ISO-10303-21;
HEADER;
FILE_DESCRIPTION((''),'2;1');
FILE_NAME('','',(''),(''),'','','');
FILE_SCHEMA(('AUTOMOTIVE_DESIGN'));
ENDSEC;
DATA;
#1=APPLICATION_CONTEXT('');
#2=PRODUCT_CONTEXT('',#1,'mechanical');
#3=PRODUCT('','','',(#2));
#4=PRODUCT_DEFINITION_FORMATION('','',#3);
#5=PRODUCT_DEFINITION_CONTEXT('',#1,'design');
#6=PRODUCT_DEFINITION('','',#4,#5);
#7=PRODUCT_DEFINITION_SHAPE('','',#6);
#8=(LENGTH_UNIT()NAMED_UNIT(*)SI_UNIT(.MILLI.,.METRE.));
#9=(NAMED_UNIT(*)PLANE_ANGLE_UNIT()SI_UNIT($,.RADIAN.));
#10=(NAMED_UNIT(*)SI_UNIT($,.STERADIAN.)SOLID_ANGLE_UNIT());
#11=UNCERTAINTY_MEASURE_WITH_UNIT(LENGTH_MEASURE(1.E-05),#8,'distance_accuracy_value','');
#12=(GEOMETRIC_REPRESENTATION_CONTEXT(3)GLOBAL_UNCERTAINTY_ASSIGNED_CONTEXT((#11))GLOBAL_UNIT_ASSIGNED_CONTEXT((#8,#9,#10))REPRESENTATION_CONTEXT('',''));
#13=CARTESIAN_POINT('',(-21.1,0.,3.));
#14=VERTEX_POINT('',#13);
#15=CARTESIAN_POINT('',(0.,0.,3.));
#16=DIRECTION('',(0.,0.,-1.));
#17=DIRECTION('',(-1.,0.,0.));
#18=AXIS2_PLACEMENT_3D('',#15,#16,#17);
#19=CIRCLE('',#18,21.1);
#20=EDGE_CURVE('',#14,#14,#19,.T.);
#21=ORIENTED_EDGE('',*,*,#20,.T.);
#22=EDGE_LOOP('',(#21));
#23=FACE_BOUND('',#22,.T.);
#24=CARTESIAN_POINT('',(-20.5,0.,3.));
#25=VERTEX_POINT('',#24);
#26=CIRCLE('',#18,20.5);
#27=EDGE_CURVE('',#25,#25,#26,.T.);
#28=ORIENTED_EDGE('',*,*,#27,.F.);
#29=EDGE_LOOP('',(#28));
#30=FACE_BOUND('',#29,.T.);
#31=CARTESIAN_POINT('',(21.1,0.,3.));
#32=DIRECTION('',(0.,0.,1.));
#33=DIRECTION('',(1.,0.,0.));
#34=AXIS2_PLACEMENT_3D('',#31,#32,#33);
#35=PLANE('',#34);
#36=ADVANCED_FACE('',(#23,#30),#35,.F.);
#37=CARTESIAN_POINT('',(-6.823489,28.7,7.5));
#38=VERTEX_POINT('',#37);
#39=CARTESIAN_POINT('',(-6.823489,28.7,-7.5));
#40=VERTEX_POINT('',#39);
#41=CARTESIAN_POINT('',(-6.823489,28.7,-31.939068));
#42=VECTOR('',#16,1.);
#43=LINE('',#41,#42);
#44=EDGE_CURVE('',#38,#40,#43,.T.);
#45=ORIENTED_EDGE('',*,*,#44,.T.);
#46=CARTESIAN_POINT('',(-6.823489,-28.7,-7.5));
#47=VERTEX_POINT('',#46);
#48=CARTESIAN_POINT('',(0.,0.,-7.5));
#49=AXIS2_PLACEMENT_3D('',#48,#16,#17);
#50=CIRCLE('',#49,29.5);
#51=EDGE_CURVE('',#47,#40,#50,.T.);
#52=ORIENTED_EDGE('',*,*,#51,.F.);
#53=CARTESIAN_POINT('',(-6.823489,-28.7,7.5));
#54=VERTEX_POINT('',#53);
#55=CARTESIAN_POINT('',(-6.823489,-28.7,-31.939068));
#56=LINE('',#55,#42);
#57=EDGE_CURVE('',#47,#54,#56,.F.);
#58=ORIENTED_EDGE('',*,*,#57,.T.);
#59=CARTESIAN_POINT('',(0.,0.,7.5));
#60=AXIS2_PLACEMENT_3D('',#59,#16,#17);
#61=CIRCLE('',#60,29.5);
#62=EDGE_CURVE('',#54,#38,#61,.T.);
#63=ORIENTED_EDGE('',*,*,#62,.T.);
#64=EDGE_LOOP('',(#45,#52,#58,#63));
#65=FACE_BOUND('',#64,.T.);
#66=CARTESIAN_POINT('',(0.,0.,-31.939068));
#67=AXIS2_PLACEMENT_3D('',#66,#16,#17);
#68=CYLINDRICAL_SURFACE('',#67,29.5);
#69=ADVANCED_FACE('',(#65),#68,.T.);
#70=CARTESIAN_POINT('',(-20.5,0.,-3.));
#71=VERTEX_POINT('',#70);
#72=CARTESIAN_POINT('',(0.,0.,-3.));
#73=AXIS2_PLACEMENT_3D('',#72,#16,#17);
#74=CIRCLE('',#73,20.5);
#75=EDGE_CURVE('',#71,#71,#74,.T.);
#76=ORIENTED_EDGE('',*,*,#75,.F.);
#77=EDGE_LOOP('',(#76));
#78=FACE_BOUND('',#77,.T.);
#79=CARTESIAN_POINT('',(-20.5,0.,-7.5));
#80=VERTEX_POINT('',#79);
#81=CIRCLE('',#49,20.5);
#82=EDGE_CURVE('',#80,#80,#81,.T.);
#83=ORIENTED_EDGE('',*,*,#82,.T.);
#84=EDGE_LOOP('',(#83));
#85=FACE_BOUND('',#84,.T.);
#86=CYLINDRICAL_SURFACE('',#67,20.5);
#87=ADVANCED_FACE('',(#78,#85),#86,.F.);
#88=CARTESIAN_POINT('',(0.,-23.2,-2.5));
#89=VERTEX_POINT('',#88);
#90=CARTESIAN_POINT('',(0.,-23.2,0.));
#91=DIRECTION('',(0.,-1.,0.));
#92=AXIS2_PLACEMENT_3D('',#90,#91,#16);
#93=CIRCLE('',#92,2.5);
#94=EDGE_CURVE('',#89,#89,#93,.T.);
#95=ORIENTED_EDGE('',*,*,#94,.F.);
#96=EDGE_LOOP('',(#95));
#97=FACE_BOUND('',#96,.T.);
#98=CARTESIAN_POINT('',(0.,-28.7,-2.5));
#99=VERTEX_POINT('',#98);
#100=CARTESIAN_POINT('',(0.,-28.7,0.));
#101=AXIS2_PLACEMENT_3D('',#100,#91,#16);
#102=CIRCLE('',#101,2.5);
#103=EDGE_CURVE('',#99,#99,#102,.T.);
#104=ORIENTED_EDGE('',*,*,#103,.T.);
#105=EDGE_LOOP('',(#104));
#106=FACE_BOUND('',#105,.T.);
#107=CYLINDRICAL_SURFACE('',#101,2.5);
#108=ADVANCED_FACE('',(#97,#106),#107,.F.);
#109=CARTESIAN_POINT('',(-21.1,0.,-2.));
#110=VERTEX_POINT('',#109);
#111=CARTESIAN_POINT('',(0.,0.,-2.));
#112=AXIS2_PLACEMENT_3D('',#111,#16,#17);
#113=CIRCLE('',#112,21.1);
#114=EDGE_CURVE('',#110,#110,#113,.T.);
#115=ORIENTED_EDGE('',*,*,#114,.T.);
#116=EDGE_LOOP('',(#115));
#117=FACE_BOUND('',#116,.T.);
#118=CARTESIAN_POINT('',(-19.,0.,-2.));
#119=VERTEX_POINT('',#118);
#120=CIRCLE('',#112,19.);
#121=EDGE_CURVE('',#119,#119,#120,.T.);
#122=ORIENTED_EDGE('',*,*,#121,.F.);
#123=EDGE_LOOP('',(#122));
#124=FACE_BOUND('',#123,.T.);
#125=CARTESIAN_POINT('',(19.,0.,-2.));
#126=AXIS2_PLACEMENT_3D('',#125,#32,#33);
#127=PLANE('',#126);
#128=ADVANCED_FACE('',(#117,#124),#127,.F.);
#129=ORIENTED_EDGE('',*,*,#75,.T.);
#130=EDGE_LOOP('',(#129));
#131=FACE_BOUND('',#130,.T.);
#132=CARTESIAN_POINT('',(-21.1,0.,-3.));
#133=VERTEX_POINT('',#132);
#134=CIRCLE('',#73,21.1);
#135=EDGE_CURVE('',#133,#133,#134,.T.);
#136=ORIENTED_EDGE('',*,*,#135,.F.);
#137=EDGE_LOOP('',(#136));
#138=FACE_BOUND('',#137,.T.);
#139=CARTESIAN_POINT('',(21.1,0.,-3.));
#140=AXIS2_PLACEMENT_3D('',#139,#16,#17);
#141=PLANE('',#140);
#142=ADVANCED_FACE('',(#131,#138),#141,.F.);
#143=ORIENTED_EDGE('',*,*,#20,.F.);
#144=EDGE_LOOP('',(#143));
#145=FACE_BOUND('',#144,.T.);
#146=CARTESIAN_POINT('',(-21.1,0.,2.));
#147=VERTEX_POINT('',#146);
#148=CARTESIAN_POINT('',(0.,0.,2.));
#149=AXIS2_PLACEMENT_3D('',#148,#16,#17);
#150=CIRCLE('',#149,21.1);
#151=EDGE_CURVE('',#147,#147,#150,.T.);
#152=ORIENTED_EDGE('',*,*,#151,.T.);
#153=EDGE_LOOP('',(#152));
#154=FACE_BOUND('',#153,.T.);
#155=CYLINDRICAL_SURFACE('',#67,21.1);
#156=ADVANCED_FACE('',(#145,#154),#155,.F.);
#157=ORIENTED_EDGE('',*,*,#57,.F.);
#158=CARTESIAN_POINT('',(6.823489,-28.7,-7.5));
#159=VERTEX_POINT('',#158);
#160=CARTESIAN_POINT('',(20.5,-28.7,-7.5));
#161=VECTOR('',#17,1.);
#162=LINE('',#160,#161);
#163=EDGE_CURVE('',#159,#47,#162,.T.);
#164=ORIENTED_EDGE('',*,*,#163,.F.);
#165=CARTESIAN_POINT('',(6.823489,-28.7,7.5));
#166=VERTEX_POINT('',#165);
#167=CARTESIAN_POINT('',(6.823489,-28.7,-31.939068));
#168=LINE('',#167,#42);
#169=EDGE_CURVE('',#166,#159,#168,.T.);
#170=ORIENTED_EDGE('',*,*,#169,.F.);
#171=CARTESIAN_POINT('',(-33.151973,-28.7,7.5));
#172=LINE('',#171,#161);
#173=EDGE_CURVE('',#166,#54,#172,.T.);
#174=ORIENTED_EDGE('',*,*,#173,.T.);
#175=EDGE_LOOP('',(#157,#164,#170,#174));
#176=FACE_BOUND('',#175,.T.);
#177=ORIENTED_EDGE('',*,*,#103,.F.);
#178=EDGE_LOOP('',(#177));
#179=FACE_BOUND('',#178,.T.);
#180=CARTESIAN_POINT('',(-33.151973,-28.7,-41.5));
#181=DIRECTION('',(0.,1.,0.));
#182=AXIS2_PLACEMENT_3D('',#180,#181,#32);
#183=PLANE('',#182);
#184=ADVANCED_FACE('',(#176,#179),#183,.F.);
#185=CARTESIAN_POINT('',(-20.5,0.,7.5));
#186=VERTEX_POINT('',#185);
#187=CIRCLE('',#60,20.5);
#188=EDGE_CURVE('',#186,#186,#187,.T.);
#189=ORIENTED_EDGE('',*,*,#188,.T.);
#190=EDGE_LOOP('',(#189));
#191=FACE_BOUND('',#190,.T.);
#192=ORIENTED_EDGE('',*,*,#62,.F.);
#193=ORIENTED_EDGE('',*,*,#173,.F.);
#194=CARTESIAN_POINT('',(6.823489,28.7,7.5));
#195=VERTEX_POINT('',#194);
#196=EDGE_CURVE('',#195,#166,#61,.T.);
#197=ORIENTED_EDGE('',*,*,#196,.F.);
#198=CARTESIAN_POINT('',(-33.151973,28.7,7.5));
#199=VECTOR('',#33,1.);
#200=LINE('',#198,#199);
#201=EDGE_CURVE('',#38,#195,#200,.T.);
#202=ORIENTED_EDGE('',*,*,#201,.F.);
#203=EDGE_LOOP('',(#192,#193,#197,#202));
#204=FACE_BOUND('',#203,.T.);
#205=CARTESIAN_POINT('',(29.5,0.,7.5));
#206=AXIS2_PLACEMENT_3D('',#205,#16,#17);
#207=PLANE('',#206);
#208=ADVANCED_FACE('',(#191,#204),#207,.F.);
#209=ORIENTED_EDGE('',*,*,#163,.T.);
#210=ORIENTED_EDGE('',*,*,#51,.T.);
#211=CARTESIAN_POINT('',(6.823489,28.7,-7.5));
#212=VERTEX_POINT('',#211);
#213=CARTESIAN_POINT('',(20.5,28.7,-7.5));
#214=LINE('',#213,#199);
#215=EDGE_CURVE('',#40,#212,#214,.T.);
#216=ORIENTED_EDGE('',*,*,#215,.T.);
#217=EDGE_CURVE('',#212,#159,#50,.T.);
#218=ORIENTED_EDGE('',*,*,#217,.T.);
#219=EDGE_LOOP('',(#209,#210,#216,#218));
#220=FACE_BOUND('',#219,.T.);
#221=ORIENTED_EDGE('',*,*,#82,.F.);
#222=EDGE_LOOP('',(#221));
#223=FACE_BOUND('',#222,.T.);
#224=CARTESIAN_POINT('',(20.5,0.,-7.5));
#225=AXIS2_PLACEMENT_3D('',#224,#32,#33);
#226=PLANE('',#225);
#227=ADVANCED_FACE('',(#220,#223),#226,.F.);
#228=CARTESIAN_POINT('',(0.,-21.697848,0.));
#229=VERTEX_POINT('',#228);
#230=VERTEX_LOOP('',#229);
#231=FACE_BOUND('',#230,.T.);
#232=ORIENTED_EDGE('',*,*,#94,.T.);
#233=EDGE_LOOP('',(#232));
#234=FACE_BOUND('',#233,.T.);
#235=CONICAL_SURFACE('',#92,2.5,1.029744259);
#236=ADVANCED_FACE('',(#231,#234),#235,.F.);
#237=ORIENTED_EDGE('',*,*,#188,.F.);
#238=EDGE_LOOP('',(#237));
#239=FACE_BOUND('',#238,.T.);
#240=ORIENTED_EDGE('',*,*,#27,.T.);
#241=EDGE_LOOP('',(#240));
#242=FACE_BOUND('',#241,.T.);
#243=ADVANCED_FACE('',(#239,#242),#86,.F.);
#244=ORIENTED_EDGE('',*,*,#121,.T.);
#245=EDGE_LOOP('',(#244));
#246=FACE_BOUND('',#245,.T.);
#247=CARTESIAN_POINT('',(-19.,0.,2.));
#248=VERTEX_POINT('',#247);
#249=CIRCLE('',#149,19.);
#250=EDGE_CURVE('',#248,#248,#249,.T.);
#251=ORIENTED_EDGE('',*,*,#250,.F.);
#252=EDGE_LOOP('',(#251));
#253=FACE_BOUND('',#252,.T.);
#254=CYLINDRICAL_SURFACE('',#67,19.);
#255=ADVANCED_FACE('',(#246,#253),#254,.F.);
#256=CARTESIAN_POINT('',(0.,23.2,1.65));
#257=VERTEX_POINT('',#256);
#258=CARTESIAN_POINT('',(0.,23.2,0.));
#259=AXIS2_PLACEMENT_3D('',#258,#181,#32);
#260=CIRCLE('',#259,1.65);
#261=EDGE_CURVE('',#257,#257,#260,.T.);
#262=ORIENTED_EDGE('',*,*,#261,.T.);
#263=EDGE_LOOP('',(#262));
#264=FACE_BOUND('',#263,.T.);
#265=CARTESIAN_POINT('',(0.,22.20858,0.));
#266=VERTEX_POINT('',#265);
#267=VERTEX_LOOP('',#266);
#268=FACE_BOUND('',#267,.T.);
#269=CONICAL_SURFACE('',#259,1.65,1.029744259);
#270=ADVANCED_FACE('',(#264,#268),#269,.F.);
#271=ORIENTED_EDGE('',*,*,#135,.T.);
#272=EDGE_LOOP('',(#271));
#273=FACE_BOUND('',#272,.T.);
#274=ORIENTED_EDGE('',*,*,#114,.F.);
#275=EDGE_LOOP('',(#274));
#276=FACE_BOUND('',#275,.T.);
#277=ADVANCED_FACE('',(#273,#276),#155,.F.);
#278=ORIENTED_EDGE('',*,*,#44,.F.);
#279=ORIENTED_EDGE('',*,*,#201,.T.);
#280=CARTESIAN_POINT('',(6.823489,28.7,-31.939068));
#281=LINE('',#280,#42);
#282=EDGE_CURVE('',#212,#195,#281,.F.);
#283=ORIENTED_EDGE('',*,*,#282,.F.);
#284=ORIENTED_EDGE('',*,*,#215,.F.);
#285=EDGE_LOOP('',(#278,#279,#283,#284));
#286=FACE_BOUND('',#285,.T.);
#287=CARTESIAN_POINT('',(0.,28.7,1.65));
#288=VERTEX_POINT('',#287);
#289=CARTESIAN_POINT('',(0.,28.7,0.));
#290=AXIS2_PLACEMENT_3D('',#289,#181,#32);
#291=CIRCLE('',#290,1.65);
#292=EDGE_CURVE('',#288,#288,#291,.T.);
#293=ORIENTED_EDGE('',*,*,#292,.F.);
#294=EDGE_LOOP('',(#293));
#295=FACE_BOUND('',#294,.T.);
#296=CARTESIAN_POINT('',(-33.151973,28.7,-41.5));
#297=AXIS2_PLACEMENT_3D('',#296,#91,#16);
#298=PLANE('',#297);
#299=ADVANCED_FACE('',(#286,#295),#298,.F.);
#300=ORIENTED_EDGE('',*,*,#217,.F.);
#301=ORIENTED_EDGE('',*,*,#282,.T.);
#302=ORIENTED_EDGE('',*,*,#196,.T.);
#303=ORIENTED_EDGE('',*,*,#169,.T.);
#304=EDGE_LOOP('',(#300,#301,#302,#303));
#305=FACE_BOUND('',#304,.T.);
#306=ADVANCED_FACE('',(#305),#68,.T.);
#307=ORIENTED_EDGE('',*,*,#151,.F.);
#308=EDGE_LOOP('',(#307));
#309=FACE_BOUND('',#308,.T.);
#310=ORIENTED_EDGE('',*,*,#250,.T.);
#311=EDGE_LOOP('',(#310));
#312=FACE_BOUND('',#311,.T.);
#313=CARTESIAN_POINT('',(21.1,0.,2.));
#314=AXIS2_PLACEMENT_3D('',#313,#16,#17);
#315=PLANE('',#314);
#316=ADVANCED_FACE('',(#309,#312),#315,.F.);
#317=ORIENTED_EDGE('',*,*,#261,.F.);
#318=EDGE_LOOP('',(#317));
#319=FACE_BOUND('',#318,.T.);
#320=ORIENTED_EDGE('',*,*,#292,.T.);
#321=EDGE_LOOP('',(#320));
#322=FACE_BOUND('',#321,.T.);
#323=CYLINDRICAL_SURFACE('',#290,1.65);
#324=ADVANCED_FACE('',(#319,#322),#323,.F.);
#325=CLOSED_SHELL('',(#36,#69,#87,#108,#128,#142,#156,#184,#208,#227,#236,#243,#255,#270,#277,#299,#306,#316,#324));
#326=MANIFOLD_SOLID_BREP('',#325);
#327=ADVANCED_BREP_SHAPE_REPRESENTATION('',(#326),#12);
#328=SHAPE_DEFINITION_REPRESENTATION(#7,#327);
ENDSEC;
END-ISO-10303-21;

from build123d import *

# Parameters (mm, degrees)
SKETCH_2_W             = 64.02174429
SKETCH_2_H             = 9.248919907
CUT_EXTRUDE_1_DEPTH    = 49
HOLE_WIZARD_M4_2_D     = 3.3
HOLE_WIZARD_M4_2_DEPTH = 5.5
HOLE_WIZARD_M4_2_TIP   = 0.991420021
HOLE_WIZARD_M6_2_D     = 5
HOLE_WIZARD_M6_2_DEPTH = 5.5
HOLE_WIZARD_M6_2_TIP   = 1.502151548


with BuildPart() as part:
    # 草图1 → 旋转1 (revolve)
    with BuildSketch(Plane(origin=(0, 0, 0), x_dir=(1, 0, 0), z_dir=(0, 1, 0)), mode=Mode.PRIVATE) as revolve_1_sk:
        Polygon((29.5, 7.5), (29.5, -7.5), (20.5, -7.5), (20.5, -3), (21.1, -3), (21.1, -2), (19, -2), (19, 2), (21.1, 2), (21.1, 3), (20.5, 3), (20.5, 7.5), align=None)
    revolve(revolve_1_sk.sketch.rotate(Axis((0, 0, -31.9390681), (0, 0, 1)), 180), axis=Axis((0, 0, -31.9390681), (0, 0, 1)))  # turned: the seam where the file's is

    # 草图2 → 切除-拉伸1 (cut)
    with BuildSketch(Plane.XY.offset(7.5)):
        with Locations((-1.141100508, 33.324459954)):
            Rectangle(SKETCH_2_W, SKETCH_2_H)
        with Locations((-1.141100508, -33.324459954)):
            Rectangle(SKETCH_2_W, SKETCH_2_H)
    extrude(amount=-CUT_EXTRUDE_1_DEPTH, mode=Mode.SUBTRACT)

    # M4 螺纹孔2
    with Locations(Plane(origin=(0, 28.7, 0), x_dir=(1, 0, 0), z_dir=(0, 1, 0))):
        with Locations((0, 0)):
            Hole(HOLE_WIZARD_M4_2_D / 2, depth=HOLE_WIZARD_M4_2_DEPTH)
            with Locations((0, 0, -(HOLE_WIZARD_M4_2_DEPTH + HOLE_WIZARD_M4_2_TIP / 2))):  # 118° drill point
                Cone(0, HOLE_WIZARD_M4_2_D / 2, HOLE_WIZARD_M4_2_TIP, mode=Mode.SUBTRACT)

    # M6 螺纹孔2
    with Locations(Plane(origin=(0, -28.7, 0), x_dir=(-1, 0, 0), z_dir=(0, -1, 0))):
        with Locations((0, 0)):
            Hole(HOLE_WIZARD_M6_2_D / 2, depth=HOLE_WIZARD_M6_2_DEPTH)
            with Locations((0, 0, -(HOLE_WIZARD_M6_2_DEPTH + HOLE_WIZARD_M6_2_TIP / 2))):  # 118° drill point
                Cone(0, HOLE_WIZARD_M6_2_D / 2, HOLE_WIZARD_M6_2_TIP, mode=Mode.SUBTRACT)


solid = part.part
